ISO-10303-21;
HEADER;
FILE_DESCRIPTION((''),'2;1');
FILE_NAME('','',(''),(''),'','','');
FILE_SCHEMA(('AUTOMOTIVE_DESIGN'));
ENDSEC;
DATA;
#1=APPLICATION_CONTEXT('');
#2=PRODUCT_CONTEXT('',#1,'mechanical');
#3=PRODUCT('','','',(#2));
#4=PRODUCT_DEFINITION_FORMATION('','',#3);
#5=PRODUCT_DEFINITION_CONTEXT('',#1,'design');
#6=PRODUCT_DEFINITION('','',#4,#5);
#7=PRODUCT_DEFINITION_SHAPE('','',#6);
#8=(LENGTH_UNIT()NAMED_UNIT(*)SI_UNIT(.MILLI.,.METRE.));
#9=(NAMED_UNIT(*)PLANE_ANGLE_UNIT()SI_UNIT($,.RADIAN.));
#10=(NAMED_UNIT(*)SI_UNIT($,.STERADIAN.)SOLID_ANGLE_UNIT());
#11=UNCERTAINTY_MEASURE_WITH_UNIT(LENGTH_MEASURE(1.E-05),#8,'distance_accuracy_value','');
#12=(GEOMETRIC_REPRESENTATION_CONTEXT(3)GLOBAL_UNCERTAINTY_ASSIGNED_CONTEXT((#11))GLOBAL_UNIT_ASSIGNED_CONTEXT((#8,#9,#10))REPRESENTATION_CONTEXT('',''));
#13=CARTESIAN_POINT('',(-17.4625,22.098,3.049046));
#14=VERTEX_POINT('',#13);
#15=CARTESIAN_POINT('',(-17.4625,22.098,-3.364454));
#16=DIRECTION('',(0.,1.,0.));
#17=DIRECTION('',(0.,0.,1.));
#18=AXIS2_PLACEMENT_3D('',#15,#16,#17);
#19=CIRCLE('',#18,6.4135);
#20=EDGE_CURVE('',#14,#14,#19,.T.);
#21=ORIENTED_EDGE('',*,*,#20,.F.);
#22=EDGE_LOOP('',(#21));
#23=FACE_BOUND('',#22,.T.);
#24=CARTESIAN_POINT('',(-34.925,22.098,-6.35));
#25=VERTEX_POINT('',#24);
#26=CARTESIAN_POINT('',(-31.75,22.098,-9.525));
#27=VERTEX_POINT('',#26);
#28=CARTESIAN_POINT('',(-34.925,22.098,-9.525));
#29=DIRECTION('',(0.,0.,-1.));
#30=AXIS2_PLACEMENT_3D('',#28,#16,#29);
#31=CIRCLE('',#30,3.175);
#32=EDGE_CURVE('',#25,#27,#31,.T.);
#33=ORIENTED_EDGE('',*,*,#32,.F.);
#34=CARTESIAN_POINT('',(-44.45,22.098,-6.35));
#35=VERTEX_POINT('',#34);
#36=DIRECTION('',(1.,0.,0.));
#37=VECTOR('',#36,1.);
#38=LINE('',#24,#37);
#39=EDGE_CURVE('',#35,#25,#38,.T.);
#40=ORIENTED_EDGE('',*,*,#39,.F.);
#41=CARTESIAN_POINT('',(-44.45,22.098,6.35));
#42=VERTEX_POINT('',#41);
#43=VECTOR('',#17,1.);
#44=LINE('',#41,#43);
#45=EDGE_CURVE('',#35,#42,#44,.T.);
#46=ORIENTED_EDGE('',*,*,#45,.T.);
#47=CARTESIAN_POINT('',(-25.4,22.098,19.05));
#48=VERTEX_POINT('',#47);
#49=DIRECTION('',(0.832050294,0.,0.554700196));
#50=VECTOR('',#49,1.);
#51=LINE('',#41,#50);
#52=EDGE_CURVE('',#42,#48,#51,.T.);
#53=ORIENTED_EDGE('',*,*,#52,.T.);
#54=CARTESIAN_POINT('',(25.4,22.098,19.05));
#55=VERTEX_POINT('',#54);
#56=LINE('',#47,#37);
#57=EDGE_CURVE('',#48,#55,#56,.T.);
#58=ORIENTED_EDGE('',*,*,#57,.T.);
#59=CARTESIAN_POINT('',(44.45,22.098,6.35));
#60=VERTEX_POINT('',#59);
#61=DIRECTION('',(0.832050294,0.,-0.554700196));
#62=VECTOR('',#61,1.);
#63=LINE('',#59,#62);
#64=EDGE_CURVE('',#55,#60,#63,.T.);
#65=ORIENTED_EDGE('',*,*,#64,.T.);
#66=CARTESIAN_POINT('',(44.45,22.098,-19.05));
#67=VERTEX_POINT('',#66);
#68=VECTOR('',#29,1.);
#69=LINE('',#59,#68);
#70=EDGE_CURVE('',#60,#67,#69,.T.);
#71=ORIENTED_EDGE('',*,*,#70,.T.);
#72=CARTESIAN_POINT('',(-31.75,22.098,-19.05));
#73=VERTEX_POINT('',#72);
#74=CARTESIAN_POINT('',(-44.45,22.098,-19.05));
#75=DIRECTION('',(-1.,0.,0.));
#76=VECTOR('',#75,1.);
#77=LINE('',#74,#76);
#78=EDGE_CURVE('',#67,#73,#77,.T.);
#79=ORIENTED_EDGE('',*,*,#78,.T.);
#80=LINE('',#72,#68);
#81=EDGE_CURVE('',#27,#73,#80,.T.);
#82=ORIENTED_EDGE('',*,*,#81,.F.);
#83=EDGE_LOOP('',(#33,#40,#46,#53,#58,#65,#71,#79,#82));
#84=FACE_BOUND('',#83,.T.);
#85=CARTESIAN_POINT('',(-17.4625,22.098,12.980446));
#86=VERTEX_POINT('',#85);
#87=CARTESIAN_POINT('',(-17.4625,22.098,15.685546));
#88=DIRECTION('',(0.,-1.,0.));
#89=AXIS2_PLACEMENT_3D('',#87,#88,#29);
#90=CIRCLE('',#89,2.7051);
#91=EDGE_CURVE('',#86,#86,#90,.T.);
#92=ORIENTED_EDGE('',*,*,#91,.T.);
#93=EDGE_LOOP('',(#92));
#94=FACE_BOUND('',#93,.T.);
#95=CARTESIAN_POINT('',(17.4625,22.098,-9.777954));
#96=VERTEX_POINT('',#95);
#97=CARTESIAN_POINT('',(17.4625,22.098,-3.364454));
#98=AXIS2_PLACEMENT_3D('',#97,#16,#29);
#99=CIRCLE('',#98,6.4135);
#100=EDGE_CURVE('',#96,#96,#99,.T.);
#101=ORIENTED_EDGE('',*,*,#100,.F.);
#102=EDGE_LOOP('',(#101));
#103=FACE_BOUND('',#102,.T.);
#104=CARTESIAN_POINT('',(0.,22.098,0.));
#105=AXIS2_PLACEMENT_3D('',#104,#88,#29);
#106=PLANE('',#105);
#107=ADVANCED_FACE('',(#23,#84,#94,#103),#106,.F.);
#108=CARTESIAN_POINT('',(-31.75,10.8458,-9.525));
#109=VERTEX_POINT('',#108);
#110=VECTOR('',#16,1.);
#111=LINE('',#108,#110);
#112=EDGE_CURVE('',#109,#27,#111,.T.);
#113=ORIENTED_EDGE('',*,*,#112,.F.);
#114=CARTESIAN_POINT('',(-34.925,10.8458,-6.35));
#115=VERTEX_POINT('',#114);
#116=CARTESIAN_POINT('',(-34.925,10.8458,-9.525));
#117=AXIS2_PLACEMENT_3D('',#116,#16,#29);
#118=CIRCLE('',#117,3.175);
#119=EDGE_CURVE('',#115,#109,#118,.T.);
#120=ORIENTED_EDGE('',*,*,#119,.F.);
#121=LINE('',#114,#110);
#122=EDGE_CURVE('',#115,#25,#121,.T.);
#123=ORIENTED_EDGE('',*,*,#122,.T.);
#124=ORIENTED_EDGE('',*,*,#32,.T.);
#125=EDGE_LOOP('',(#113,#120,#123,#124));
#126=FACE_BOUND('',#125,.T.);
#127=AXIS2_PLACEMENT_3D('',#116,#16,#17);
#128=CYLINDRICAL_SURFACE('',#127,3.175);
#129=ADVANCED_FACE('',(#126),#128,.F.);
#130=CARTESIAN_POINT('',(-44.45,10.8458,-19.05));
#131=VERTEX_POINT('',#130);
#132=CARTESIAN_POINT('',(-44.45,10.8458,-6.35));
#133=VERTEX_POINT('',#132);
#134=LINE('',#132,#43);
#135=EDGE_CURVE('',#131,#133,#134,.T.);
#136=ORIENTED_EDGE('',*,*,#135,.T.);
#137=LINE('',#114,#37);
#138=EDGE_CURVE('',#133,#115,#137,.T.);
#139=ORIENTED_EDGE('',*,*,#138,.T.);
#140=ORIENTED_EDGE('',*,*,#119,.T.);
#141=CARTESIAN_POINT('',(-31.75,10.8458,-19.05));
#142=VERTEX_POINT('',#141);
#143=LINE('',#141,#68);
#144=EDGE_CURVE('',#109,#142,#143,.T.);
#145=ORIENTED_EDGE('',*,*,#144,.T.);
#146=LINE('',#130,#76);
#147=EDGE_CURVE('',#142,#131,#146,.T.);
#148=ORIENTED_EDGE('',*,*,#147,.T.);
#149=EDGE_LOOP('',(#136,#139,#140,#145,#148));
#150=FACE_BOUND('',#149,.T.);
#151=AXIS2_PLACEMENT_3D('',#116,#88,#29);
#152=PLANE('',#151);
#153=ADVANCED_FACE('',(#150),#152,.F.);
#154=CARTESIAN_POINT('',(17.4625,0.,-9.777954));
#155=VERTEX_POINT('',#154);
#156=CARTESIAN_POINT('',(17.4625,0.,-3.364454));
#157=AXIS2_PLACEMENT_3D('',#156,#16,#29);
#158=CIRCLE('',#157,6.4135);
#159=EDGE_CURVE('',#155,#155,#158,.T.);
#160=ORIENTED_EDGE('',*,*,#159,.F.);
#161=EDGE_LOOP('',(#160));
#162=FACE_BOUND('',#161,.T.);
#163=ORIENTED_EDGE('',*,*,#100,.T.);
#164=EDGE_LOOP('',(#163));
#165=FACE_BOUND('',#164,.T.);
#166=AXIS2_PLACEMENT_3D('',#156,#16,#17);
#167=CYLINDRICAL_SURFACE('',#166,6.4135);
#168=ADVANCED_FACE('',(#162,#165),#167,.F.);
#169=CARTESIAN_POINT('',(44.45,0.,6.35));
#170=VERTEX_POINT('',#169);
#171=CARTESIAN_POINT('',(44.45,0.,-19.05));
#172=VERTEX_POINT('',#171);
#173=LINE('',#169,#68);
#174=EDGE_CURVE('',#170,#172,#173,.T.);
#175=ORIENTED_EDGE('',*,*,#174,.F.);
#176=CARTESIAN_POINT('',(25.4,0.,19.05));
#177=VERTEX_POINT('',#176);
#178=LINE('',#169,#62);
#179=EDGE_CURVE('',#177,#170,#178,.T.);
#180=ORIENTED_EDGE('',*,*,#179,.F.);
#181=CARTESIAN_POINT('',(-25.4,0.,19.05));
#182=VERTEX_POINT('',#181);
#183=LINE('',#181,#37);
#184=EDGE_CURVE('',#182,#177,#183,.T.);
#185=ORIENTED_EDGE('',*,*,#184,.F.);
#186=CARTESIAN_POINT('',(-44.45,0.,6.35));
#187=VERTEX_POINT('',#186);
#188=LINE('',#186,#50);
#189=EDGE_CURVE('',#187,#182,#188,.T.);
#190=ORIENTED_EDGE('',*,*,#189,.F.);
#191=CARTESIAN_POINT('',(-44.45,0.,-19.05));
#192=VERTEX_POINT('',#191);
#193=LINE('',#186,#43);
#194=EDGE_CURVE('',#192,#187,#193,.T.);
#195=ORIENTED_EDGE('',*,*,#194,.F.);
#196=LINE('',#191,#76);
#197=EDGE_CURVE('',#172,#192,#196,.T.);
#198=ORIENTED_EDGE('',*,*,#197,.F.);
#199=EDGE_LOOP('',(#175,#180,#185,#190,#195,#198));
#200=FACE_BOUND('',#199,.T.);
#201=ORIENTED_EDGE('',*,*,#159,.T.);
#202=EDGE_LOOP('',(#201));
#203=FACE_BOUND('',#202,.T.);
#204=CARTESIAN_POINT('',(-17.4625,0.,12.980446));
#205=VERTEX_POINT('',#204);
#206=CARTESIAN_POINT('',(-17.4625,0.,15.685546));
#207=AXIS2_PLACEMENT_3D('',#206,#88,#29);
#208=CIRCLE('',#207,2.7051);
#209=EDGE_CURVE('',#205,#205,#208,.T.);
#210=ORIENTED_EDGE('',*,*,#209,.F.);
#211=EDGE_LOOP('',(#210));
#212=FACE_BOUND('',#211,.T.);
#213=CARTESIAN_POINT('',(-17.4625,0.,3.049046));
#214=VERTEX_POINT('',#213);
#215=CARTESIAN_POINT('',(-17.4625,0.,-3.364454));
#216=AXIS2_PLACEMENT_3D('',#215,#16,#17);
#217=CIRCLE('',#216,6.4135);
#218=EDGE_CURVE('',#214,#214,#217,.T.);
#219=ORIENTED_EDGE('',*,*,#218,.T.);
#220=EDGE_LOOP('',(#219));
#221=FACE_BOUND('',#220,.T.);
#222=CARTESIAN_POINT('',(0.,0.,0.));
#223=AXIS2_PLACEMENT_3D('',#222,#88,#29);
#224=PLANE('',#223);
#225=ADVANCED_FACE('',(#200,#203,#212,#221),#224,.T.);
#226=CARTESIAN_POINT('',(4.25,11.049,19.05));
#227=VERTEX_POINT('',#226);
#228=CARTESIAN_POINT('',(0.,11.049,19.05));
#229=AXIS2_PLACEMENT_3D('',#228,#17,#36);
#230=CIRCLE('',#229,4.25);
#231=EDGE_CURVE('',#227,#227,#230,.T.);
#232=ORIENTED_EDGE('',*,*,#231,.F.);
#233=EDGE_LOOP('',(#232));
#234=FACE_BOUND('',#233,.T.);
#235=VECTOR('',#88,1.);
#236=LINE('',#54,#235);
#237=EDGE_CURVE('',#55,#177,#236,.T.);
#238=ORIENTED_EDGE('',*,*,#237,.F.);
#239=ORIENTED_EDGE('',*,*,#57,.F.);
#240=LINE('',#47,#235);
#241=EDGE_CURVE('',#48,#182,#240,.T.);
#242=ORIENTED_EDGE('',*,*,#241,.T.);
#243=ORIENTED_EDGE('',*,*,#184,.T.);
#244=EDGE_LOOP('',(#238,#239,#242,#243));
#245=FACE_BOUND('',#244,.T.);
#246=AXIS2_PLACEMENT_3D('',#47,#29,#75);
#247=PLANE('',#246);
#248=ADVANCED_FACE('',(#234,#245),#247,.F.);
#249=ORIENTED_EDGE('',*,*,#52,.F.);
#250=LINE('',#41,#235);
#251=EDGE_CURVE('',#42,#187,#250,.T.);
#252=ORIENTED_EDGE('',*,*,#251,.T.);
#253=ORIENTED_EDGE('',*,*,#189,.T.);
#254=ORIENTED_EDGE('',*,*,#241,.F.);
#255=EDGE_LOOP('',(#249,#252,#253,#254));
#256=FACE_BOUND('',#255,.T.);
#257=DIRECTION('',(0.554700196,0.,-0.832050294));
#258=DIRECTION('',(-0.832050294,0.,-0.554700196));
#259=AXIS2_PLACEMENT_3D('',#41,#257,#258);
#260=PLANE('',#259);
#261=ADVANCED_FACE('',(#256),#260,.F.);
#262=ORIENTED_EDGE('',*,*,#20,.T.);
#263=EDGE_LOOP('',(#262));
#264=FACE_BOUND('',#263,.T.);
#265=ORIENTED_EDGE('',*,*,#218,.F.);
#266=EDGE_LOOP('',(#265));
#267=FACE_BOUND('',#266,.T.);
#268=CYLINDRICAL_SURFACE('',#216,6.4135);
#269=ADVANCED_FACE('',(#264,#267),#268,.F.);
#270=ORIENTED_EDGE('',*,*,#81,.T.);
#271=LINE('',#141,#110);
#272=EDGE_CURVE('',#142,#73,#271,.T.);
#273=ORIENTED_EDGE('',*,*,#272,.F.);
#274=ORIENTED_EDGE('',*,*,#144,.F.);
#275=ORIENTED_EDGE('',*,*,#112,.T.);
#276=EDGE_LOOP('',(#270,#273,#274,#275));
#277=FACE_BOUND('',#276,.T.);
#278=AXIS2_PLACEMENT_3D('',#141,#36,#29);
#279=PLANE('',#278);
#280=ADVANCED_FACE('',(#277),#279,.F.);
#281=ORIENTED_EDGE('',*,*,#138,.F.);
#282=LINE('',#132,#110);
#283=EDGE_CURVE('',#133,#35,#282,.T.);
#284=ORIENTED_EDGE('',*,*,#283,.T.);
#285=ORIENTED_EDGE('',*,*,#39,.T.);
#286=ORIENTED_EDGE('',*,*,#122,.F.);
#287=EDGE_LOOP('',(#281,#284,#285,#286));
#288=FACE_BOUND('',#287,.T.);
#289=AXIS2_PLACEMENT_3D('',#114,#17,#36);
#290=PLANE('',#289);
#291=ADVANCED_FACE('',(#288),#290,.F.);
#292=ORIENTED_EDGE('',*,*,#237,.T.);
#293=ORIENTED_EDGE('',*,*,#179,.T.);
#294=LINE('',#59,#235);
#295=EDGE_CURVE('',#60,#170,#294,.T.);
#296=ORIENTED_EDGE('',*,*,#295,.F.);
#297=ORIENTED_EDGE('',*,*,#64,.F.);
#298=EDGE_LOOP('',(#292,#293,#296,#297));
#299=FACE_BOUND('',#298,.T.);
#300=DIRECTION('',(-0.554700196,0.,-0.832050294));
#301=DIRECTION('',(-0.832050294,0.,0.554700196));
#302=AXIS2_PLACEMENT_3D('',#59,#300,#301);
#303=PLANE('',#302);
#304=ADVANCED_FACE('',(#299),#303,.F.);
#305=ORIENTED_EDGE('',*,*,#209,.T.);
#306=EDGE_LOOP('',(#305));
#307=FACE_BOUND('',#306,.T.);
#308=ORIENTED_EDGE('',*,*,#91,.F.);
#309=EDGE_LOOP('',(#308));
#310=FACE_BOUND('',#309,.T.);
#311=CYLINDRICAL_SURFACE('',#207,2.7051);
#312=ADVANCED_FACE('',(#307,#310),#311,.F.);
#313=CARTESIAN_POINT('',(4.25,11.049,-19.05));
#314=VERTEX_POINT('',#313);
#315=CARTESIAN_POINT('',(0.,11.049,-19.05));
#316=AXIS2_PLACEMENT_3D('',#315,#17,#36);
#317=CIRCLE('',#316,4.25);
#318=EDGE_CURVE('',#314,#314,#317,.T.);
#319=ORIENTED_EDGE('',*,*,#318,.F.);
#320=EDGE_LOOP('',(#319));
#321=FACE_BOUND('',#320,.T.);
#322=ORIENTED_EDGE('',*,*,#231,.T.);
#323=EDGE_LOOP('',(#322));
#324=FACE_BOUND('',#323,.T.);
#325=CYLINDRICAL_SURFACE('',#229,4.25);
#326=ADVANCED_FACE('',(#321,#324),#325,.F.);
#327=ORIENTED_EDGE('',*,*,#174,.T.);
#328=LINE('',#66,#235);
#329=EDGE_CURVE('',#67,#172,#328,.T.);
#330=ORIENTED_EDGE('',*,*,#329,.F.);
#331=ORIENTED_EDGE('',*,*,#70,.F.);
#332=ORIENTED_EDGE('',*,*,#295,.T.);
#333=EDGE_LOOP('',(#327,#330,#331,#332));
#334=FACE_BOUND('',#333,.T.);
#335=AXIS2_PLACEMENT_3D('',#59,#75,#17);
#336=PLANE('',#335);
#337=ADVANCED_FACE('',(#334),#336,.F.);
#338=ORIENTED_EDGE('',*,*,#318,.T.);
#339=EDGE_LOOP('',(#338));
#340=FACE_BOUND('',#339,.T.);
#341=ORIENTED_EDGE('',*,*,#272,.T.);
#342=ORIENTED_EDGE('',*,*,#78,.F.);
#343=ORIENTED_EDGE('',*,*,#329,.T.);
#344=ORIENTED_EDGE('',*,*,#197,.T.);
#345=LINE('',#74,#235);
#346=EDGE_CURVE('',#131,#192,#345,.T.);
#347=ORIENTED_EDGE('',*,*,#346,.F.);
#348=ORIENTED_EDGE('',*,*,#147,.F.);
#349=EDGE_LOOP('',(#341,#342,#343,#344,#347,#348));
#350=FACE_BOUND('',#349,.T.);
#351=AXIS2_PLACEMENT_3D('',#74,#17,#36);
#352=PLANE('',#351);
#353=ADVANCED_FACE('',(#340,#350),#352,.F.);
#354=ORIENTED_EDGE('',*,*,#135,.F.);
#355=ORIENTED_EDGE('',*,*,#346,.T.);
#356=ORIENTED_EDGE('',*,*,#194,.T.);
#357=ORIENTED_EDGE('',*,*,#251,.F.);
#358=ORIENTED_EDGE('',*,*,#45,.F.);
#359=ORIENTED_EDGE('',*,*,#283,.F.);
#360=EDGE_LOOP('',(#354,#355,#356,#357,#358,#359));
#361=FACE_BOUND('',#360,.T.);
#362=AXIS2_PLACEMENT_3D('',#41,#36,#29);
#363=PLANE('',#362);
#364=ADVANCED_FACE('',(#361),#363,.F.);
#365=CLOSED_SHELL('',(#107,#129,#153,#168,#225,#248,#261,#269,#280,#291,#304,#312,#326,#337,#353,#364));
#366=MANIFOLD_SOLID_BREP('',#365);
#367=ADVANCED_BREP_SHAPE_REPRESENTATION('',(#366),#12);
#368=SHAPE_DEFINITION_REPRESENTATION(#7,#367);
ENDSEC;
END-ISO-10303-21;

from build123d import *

# Parameters (mm, degrees)
BOSS_EXTRUDE1_DEPTH     = 22.098
CUT_EXTRUDE1_DEPTH      = 11.2522
M10X1_5_TAPPED_HOLE1_D  = 8.5
SKETCH6_R               = 6.4135
CUT_EXTRUDE2_DEPTH      = 54.169790332
F_1_4_28_TAPPED_HOLE1_D = 5.4102


with BuildPart() as part:
    # Sketch1 → Boss-Extrude1 (new body)
    with BuildSketch(Plane(origin=(0, 0, 0), x_dir=(1, 0, 0), z_dir=(0, 1, 0))):
        Polygon((-44.45, -6.35), (-25.4, -19.05), (25.4, -19.05), (44.45, -6.35), (44.45, 19.05), (-44.45, 19.05), align=None)
    extrude(amount=BOSS_EXTRUDE1_DEPTH)

    # Sketch2 → Cut-Extrude1 (cut)
    with BuildSketch(Plane(origin=(0, 22.098, 0), x_dir=(1, 0, 0), z_dir=(0, 1, 0))):
        with BuildLine():
            Line((-31.75, 19.05), (-31.75, 9.525))
            ThreePointArc((-31.75, 9.525), (-32.67993597, 7.27993597), (-34.925, 6.35))
            Line((-34.925, 6.35), (-44.45, 6.35))
            Line((-44.45, 6.35), (-44.45, 19.05))
            Line((-44.45, 19.05), (-31.75, 19.05))
        make_face()
    extrude(amount=-CUT_EXTRUDE1_DEPTH, mode=Mode.SUBTRACT)

    # M10x1.5 Tapped Hole1 (through all)
    with Locations(Plane.XY.offset(19.05)):
        with Locations((0, 11.049)):
            Hole(M10X1_5_TAPPED_HOLE1_D / 2)

    # Sketch6 → Cut-Extrude2 (cut, through all)
    with BuildSketch(Plane(origin=(0, 22.098, 0), x_dir=(1, 0, 0), z_dir=(0, 1, 0))):
        with Locations(Location((-17.4625, 3.364454491, 0), (0, 0, 270))):
            Circle(SKETCH6_R)
        with Locations(Location((17.4625, 3.364454491, 0), (0, 0, 90))):
            Circle(SKETCH6_R)
    extrude(amount=-CUT_EXTRUDE2_DEPTH, mode=Mode.SUBTRACT)

    # 1/4-28 Tapped Hole1 (through all)
    with Locations(Plane.XZ):
        with Locations((-17.4625, 15.685545509)):
            Hole(F_1_4_28_TAPPED_HOLE1_D / 2)


solid = part.part
